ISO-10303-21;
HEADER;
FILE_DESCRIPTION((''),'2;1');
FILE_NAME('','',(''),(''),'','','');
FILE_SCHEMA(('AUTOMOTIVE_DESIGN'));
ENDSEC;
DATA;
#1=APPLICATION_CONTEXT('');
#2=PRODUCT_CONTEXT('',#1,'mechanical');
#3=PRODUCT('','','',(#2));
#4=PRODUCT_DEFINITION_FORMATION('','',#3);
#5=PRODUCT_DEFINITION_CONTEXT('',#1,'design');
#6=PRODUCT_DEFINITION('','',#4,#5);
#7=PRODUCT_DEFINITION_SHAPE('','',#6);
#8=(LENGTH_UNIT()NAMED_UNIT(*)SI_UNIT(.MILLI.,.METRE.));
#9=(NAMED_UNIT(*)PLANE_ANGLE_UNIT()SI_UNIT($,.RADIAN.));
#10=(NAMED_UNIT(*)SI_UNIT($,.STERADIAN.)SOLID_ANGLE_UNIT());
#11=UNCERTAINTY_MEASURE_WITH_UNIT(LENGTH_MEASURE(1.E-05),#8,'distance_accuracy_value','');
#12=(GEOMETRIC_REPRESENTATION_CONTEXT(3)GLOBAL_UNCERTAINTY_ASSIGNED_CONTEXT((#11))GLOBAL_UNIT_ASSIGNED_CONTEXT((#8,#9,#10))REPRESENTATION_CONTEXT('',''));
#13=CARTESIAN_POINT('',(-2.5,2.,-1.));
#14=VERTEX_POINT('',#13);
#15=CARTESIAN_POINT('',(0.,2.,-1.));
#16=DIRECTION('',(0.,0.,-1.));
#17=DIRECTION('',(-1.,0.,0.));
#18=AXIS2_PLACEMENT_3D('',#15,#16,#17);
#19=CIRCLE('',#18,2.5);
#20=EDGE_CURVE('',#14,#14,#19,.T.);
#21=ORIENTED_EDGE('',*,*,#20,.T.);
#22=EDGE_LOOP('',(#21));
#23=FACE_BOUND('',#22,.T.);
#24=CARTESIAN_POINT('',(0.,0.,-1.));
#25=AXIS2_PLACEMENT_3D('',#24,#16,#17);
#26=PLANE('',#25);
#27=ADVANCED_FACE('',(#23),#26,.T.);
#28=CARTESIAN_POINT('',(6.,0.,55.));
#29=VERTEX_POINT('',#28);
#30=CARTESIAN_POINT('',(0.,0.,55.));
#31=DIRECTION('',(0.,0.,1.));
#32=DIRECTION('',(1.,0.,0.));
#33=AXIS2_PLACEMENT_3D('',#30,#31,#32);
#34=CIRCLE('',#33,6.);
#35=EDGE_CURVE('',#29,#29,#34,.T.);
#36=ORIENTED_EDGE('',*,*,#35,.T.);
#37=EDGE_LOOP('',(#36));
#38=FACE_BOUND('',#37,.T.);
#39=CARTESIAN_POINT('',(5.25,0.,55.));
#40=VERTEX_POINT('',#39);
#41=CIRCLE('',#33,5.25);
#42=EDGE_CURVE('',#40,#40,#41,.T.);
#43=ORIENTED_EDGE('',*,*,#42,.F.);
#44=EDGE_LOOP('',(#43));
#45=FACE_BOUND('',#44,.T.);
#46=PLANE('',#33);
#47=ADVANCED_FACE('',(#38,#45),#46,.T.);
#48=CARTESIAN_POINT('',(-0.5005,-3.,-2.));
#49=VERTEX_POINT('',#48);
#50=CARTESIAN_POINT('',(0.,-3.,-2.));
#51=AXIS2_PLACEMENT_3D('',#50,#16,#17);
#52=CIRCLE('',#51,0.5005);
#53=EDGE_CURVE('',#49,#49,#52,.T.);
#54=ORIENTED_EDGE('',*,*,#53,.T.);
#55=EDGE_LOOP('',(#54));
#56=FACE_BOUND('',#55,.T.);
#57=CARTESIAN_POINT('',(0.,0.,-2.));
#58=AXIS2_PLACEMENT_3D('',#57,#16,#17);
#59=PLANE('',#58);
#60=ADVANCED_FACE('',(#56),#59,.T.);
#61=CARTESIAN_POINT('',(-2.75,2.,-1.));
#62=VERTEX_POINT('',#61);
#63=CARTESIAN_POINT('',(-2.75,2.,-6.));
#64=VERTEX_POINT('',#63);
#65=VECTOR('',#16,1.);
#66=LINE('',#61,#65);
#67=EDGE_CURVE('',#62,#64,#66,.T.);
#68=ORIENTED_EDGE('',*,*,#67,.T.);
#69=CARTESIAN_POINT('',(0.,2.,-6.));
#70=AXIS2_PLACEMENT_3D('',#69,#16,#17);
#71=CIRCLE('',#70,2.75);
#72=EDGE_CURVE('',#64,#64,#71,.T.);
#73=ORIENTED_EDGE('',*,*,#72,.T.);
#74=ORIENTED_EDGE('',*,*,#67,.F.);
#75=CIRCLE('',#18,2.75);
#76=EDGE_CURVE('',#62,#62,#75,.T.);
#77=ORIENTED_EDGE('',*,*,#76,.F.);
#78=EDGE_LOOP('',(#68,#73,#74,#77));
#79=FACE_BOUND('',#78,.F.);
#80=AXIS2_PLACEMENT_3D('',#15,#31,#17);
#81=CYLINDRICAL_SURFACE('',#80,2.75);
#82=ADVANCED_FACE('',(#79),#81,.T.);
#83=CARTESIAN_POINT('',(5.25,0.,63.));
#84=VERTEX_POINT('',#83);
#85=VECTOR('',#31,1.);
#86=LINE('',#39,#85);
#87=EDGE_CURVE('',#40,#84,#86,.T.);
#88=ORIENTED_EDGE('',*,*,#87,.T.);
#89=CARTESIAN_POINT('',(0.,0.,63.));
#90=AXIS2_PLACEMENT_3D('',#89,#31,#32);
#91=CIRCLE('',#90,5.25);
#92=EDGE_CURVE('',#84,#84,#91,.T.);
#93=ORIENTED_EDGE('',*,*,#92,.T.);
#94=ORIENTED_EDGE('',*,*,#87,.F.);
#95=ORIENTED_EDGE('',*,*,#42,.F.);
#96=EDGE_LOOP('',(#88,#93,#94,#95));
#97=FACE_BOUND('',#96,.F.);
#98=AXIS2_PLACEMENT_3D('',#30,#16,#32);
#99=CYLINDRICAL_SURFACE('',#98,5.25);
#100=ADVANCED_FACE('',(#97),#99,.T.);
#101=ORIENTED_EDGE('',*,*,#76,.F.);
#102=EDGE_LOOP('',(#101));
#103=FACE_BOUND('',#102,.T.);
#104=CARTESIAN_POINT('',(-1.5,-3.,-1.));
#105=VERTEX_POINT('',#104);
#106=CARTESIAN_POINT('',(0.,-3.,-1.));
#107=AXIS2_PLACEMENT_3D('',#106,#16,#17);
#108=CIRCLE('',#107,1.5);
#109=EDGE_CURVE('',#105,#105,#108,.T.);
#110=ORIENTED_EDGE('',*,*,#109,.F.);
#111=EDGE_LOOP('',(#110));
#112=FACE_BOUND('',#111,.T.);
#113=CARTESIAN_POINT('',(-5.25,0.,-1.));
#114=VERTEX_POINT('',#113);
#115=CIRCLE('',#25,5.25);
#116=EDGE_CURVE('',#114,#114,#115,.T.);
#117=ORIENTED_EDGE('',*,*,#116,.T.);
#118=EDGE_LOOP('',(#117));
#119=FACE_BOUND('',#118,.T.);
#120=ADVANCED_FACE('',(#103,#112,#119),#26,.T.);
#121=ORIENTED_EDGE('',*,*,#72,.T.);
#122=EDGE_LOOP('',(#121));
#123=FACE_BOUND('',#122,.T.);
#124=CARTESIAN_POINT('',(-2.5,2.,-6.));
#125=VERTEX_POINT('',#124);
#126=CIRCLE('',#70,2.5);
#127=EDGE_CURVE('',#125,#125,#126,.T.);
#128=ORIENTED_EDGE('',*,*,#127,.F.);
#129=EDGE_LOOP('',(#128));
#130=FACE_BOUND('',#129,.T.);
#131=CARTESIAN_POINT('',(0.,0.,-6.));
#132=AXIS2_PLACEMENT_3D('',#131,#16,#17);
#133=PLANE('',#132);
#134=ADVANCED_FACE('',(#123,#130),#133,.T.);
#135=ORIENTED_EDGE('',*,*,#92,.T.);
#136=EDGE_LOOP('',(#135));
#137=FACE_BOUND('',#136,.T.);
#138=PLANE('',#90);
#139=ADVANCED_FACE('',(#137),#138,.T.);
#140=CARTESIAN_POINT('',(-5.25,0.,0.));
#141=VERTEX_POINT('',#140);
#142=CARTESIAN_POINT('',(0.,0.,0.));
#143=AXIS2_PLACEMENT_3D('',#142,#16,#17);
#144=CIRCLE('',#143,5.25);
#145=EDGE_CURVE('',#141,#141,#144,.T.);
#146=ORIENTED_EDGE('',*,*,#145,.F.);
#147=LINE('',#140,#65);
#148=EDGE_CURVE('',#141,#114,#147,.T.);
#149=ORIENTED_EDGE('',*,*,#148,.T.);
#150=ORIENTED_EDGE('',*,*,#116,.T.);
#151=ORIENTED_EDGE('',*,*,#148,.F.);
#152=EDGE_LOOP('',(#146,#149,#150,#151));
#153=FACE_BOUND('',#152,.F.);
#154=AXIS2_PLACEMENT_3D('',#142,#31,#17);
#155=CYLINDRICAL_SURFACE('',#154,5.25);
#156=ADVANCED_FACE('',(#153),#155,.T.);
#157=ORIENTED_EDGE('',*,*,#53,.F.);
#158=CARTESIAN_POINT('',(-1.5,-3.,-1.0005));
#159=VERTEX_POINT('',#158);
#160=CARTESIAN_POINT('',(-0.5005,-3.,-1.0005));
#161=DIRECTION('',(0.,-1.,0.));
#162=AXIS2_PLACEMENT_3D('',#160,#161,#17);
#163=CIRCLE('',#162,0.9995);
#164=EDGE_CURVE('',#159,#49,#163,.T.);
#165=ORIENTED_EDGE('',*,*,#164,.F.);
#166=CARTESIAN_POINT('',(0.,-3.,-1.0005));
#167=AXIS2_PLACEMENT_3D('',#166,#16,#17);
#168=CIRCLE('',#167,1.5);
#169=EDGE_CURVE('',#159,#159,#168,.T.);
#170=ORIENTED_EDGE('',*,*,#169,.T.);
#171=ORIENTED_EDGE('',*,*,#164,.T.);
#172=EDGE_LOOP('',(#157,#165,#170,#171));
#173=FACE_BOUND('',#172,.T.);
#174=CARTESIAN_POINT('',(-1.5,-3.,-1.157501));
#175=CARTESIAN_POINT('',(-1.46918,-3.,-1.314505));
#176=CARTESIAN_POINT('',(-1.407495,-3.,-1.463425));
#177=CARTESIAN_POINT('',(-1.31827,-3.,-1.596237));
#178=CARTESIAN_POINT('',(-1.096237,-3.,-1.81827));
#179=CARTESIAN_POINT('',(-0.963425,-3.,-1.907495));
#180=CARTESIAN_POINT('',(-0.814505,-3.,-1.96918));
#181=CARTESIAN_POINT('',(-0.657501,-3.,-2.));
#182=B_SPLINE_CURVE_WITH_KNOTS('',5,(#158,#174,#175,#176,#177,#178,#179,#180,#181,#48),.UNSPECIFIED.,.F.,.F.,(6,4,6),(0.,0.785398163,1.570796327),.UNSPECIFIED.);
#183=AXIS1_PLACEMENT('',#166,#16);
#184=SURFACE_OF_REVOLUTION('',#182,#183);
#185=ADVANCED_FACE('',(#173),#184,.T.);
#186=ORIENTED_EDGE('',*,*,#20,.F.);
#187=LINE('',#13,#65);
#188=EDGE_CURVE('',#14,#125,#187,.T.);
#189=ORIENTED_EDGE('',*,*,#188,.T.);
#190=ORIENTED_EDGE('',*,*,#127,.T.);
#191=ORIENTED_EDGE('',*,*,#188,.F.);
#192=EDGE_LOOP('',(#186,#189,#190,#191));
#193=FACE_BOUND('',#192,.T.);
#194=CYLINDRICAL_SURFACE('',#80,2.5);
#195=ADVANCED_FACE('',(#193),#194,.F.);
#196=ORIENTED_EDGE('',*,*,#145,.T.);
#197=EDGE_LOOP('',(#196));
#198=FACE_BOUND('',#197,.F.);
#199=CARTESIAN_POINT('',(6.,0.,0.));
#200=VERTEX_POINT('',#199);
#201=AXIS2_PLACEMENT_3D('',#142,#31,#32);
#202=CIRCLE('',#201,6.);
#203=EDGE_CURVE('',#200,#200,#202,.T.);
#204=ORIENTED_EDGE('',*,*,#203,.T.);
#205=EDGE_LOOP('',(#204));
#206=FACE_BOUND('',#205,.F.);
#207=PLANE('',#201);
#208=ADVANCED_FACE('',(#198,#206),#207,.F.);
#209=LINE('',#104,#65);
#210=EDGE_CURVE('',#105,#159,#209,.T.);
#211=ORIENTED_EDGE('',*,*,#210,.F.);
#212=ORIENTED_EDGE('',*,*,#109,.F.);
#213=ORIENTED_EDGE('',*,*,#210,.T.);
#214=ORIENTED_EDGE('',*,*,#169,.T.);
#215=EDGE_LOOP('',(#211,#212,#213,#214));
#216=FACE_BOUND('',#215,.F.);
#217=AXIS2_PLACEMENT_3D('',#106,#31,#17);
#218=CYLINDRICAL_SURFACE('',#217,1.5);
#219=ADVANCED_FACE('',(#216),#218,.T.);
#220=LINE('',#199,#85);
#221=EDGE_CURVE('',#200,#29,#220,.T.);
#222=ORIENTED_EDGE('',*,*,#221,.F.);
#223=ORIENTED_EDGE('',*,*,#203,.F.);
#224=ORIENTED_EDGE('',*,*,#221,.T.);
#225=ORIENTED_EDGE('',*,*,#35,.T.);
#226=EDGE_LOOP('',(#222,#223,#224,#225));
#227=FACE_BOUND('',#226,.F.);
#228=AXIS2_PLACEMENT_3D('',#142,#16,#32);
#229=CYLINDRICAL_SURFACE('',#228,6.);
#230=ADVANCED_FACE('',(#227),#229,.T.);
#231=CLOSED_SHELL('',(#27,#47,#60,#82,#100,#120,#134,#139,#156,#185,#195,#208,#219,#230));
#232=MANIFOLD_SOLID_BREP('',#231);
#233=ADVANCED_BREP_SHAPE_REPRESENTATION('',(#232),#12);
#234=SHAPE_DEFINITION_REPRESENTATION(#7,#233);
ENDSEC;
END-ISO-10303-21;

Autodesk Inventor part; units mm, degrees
ref_plane "YZ Plane" through (0, 0, 0) normal (1, 0, 0) x (0, 1, 0)
ref_plane "XZ Plane" through (0, 0, 0) normal (0, 1, 0) x (-1, 0, 0)
ref_plane "XY Plane" through (0, 0, 0) normal (0, 0, 1) x (1, 0, 0)
sketch "Эскиз1" plane through (0, 0, 0) normal (0, 0, 1) x (1, 0, 0)
  circle A0 centre (0, 0) radius 6
  dimension "d0" = 12
extrude "Выдавливание1" add sketch "Эскиз1" along normal blind 55
sketch "Эскиз2" plane through (0, 0, 55) normal (0, 0, 1) x (1, 0, 0)
  circle A0 centre (0, 0) radius 5.25
  dimension "d3" = 10.5
extrude "Выдавливание2" add sketch "Эскиз2" along normal blind 8
sketch "Эскиз3" plane through (0, 0, 0) normal (0, 0, -1) x (-1, 0, 0)
  circle A0 centre (0, 0) radius 5.25
  dimension "d6" = 10.5
extrude "Выдавливание3" add sketch "Эскиз3" along normal blind 1
thread "Резьба1" size "M12x1" class "6g" standard "ANSI Metric M Profile" length 45
sketch "Эскиз4" plane through (0, 0, -1) normal (0, 0, -1) x (-1, 0, 0)
  circle A0 centre (0, 2) radius 2.75
  circle A1 centre (0, 2) radius 2.5
  point P0 (0, 0)
  dimension "d11" = 5.5
  dimension "d12" = 2
  dimension "d13" = 5
extrude "Выдавливание4" add sketch "Эскиз4" along normal blind 5
sketch "Эскиз5" plane through (0, 0, -1) normal (0, 0, -1) x (-1, 0, 0)
  circle A0 centre (0, -3) radius 1.5
  point P0 (0, 0)
  dimension "d16" = 3
  dimension "d17" = 3
extrude "Выдавливание5" add sketch "Эскиз5" along normal blind 1
fillet "Сопряжение1" radius 1 1 edges at (1.5, -3, -2)
properties part number "LJ12A3-4-Z-BX"
